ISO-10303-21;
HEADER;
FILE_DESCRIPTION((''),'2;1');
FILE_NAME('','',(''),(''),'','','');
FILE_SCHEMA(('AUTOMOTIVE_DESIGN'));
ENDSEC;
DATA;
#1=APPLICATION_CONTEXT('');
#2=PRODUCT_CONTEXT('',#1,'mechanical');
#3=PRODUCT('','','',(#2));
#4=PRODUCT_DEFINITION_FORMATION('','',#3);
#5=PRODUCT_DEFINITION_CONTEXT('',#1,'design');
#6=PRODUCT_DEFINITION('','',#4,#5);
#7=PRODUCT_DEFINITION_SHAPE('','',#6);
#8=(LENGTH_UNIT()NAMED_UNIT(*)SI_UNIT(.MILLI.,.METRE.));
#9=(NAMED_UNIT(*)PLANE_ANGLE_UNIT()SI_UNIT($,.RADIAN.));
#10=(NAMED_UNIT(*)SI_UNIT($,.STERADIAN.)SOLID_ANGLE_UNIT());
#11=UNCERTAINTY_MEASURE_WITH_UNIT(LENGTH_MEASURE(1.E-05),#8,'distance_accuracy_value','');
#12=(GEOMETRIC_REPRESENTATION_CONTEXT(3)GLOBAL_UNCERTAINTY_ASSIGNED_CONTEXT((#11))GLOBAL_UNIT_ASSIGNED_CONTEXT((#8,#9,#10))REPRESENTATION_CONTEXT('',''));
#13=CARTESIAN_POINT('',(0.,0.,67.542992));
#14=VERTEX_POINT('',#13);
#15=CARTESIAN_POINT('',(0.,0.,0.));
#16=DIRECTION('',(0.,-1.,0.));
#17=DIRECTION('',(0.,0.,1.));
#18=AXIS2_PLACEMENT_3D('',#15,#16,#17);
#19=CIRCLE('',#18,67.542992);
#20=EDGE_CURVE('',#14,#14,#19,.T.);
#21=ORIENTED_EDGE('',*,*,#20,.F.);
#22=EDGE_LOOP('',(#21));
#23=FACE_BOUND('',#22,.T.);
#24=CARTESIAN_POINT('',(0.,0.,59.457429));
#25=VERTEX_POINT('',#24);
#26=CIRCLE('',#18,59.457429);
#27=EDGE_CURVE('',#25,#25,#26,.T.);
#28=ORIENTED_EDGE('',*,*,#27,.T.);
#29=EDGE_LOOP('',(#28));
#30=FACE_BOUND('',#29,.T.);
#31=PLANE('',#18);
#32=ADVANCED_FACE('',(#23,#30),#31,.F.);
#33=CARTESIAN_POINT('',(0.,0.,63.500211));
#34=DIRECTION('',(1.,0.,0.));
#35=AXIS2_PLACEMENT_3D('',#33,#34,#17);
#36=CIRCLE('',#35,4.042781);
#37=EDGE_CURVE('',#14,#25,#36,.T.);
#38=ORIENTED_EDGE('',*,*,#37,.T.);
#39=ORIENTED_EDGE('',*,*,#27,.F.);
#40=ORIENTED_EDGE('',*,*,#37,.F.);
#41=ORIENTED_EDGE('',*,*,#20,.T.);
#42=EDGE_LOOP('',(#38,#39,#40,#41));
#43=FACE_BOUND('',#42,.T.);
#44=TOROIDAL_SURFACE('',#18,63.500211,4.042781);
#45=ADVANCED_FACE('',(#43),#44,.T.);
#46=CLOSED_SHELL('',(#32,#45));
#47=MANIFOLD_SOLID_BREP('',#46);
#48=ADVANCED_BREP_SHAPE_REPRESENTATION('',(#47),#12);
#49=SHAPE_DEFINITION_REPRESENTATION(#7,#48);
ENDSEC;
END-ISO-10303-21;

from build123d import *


with BuildPart() as f2:
    # F1 (on Right) → F2 (revolve)
    with BuildSketch(Plane.YZ):
        with BuildLine():
            Line((0, 59.4574293576), (0, 67.5429919281))
            ThreePointArc((0, 67.5429919281), (-4.0427812853, 63.5002106428), (0, 59.4574293576))
        make_face()
    revolve(axis=Axis((0, 0, 0), (0, -1, 0)))


solid = f2.part
